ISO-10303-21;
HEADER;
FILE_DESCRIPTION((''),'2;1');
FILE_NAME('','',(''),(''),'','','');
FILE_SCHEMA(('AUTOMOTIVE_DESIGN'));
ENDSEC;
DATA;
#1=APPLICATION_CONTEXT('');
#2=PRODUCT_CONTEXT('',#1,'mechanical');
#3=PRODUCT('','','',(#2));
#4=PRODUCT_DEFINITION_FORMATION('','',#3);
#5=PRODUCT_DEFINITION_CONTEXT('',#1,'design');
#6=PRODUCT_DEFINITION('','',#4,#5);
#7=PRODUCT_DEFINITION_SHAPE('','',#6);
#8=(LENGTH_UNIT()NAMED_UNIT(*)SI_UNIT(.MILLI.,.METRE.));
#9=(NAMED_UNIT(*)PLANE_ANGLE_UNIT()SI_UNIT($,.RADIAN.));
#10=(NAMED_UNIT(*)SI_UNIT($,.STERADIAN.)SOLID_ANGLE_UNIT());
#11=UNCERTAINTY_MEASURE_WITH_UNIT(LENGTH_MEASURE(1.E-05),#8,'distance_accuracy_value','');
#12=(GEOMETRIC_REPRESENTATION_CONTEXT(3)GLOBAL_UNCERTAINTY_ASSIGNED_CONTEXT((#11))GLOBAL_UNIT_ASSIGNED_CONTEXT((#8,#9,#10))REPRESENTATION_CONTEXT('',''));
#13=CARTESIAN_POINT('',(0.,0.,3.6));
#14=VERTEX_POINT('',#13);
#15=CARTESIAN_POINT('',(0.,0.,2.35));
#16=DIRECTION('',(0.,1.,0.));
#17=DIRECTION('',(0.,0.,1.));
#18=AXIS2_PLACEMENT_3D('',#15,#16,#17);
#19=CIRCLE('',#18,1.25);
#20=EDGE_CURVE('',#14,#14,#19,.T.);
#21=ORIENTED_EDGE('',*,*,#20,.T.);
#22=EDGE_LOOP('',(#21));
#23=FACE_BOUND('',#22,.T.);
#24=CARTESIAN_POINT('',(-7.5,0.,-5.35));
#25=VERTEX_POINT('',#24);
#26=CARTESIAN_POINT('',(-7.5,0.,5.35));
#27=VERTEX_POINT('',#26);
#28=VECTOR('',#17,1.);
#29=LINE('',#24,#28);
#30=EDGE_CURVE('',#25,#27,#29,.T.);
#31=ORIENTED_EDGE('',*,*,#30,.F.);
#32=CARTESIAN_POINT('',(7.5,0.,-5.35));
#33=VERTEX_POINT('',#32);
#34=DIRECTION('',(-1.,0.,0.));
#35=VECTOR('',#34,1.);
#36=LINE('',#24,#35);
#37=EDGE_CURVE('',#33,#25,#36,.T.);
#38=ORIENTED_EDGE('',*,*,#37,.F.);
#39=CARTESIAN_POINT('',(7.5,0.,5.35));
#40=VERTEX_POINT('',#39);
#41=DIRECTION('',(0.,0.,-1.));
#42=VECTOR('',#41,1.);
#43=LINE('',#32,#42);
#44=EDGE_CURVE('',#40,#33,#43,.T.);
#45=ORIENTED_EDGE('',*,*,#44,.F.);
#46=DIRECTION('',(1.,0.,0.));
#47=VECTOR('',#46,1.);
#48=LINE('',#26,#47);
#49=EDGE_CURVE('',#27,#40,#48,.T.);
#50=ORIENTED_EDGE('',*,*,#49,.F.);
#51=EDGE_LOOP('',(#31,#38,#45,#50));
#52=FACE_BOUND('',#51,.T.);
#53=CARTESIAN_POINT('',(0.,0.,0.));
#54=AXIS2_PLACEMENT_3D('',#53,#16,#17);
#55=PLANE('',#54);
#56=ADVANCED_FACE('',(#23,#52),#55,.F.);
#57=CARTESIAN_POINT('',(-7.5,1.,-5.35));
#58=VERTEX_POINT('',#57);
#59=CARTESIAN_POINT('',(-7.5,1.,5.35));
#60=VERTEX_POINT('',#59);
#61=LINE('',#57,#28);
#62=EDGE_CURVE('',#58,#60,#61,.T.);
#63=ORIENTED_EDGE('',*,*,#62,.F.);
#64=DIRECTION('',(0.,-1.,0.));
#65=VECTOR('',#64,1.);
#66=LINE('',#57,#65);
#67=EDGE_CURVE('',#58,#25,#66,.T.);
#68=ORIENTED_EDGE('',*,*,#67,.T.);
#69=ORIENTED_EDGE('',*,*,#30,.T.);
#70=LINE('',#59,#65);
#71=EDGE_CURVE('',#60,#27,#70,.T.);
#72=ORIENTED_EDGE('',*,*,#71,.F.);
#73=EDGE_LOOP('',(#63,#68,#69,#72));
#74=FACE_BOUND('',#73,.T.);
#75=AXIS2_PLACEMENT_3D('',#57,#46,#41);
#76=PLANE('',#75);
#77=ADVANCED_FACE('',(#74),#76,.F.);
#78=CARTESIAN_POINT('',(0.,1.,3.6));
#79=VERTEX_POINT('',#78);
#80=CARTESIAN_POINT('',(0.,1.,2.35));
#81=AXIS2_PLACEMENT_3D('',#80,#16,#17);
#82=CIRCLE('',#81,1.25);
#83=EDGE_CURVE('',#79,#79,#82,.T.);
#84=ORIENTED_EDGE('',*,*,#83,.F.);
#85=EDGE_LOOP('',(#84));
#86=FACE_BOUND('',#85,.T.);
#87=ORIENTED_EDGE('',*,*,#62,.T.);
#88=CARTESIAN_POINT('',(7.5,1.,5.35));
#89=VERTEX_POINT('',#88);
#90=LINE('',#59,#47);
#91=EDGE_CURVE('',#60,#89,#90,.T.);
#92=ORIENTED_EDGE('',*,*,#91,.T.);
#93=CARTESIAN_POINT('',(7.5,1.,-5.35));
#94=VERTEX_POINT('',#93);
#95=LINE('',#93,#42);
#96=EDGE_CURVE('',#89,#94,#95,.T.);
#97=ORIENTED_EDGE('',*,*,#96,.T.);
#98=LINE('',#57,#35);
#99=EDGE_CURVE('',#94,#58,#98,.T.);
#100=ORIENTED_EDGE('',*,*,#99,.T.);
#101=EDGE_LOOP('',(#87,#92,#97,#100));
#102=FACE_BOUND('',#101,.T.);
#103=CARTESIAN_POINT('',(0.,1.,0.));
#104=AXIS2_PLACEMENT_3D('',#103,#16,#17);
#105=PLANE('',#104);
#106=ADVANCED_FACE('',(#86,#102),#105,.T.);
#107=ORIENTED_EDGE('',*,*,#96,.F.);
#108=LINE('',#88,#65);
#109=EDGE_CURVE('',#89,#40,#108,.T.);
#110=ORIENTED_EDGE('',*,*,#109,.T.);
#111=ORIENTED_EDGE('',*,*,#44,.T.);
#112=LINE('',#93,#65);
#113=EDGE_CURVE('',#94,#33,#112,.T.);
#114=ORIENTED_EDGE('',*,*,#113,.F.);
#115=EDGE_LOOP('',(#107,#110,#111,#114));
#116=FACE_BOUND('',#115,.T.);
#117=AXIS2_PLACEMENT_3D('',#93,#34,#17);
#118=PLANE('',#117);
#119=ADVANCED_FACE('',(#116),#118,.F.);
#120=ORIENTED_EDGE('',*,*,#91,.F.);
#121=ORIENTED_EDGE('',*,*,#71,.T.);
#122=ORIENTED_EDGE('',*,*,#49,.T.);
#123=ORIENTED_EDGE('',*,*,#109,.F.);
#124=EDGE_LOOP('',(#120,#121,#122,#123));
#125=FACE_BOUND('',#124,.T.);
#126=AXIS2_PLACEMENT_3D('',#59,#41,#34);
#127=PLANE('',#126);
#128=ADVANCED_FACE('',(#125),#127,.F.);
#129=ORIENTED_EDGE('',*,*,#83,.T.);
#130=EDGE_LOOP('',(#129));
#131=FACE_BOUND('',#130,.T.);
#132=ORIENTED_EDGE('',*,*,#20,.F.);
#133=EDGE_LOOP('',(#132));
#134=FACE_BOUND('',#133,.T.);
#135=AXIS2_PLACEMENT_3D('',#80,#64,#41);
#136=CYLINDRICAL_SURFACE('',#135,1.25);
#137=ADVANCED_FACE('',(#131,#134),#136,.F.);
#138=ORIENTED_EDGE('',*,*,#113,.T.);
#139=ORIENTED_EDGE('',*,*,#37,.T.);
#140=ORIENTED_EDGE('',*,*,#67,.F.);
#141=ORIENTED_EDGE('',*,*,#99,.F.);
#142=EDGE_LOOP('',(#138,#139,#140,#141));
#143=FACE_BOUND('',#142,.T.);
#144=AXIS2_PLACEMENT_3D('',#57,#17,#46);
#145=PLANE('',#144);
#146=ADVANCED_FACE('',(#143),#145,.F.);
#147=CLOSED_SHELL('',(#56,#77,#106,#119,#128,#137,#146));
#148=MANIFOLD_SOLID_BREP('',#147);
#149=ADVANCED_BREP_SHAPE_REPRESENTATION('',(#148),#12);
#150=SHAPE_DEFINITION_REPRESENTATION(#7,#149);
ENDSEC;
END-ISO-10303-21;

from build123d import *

# Parameters (mm, degrees)
SKETCH_1_W      = 15
SKETCH_1_H      = 10.7
SKETCH_1_R      = 1.25
EXTRUDE_1_DEPTH = 1


with BuildPart() as part:
    # 草图1 → 凸台-拉伸1 (new body)
    with BuildSketch(Plane(origin=(0, 0, 0), x_dir=(1, 0, 0), z_dir=(0, 1, 0))):
        Rectangle(SKETCH_1_W, SKETCH_1_H)
        with Locations((0, -2.35)):
            Circle(SKETCH_1_R, mode=Mode.SUBTRACT)
    extrude(amount=EXTRUDE_1_DEPTH)


solid = part.part
